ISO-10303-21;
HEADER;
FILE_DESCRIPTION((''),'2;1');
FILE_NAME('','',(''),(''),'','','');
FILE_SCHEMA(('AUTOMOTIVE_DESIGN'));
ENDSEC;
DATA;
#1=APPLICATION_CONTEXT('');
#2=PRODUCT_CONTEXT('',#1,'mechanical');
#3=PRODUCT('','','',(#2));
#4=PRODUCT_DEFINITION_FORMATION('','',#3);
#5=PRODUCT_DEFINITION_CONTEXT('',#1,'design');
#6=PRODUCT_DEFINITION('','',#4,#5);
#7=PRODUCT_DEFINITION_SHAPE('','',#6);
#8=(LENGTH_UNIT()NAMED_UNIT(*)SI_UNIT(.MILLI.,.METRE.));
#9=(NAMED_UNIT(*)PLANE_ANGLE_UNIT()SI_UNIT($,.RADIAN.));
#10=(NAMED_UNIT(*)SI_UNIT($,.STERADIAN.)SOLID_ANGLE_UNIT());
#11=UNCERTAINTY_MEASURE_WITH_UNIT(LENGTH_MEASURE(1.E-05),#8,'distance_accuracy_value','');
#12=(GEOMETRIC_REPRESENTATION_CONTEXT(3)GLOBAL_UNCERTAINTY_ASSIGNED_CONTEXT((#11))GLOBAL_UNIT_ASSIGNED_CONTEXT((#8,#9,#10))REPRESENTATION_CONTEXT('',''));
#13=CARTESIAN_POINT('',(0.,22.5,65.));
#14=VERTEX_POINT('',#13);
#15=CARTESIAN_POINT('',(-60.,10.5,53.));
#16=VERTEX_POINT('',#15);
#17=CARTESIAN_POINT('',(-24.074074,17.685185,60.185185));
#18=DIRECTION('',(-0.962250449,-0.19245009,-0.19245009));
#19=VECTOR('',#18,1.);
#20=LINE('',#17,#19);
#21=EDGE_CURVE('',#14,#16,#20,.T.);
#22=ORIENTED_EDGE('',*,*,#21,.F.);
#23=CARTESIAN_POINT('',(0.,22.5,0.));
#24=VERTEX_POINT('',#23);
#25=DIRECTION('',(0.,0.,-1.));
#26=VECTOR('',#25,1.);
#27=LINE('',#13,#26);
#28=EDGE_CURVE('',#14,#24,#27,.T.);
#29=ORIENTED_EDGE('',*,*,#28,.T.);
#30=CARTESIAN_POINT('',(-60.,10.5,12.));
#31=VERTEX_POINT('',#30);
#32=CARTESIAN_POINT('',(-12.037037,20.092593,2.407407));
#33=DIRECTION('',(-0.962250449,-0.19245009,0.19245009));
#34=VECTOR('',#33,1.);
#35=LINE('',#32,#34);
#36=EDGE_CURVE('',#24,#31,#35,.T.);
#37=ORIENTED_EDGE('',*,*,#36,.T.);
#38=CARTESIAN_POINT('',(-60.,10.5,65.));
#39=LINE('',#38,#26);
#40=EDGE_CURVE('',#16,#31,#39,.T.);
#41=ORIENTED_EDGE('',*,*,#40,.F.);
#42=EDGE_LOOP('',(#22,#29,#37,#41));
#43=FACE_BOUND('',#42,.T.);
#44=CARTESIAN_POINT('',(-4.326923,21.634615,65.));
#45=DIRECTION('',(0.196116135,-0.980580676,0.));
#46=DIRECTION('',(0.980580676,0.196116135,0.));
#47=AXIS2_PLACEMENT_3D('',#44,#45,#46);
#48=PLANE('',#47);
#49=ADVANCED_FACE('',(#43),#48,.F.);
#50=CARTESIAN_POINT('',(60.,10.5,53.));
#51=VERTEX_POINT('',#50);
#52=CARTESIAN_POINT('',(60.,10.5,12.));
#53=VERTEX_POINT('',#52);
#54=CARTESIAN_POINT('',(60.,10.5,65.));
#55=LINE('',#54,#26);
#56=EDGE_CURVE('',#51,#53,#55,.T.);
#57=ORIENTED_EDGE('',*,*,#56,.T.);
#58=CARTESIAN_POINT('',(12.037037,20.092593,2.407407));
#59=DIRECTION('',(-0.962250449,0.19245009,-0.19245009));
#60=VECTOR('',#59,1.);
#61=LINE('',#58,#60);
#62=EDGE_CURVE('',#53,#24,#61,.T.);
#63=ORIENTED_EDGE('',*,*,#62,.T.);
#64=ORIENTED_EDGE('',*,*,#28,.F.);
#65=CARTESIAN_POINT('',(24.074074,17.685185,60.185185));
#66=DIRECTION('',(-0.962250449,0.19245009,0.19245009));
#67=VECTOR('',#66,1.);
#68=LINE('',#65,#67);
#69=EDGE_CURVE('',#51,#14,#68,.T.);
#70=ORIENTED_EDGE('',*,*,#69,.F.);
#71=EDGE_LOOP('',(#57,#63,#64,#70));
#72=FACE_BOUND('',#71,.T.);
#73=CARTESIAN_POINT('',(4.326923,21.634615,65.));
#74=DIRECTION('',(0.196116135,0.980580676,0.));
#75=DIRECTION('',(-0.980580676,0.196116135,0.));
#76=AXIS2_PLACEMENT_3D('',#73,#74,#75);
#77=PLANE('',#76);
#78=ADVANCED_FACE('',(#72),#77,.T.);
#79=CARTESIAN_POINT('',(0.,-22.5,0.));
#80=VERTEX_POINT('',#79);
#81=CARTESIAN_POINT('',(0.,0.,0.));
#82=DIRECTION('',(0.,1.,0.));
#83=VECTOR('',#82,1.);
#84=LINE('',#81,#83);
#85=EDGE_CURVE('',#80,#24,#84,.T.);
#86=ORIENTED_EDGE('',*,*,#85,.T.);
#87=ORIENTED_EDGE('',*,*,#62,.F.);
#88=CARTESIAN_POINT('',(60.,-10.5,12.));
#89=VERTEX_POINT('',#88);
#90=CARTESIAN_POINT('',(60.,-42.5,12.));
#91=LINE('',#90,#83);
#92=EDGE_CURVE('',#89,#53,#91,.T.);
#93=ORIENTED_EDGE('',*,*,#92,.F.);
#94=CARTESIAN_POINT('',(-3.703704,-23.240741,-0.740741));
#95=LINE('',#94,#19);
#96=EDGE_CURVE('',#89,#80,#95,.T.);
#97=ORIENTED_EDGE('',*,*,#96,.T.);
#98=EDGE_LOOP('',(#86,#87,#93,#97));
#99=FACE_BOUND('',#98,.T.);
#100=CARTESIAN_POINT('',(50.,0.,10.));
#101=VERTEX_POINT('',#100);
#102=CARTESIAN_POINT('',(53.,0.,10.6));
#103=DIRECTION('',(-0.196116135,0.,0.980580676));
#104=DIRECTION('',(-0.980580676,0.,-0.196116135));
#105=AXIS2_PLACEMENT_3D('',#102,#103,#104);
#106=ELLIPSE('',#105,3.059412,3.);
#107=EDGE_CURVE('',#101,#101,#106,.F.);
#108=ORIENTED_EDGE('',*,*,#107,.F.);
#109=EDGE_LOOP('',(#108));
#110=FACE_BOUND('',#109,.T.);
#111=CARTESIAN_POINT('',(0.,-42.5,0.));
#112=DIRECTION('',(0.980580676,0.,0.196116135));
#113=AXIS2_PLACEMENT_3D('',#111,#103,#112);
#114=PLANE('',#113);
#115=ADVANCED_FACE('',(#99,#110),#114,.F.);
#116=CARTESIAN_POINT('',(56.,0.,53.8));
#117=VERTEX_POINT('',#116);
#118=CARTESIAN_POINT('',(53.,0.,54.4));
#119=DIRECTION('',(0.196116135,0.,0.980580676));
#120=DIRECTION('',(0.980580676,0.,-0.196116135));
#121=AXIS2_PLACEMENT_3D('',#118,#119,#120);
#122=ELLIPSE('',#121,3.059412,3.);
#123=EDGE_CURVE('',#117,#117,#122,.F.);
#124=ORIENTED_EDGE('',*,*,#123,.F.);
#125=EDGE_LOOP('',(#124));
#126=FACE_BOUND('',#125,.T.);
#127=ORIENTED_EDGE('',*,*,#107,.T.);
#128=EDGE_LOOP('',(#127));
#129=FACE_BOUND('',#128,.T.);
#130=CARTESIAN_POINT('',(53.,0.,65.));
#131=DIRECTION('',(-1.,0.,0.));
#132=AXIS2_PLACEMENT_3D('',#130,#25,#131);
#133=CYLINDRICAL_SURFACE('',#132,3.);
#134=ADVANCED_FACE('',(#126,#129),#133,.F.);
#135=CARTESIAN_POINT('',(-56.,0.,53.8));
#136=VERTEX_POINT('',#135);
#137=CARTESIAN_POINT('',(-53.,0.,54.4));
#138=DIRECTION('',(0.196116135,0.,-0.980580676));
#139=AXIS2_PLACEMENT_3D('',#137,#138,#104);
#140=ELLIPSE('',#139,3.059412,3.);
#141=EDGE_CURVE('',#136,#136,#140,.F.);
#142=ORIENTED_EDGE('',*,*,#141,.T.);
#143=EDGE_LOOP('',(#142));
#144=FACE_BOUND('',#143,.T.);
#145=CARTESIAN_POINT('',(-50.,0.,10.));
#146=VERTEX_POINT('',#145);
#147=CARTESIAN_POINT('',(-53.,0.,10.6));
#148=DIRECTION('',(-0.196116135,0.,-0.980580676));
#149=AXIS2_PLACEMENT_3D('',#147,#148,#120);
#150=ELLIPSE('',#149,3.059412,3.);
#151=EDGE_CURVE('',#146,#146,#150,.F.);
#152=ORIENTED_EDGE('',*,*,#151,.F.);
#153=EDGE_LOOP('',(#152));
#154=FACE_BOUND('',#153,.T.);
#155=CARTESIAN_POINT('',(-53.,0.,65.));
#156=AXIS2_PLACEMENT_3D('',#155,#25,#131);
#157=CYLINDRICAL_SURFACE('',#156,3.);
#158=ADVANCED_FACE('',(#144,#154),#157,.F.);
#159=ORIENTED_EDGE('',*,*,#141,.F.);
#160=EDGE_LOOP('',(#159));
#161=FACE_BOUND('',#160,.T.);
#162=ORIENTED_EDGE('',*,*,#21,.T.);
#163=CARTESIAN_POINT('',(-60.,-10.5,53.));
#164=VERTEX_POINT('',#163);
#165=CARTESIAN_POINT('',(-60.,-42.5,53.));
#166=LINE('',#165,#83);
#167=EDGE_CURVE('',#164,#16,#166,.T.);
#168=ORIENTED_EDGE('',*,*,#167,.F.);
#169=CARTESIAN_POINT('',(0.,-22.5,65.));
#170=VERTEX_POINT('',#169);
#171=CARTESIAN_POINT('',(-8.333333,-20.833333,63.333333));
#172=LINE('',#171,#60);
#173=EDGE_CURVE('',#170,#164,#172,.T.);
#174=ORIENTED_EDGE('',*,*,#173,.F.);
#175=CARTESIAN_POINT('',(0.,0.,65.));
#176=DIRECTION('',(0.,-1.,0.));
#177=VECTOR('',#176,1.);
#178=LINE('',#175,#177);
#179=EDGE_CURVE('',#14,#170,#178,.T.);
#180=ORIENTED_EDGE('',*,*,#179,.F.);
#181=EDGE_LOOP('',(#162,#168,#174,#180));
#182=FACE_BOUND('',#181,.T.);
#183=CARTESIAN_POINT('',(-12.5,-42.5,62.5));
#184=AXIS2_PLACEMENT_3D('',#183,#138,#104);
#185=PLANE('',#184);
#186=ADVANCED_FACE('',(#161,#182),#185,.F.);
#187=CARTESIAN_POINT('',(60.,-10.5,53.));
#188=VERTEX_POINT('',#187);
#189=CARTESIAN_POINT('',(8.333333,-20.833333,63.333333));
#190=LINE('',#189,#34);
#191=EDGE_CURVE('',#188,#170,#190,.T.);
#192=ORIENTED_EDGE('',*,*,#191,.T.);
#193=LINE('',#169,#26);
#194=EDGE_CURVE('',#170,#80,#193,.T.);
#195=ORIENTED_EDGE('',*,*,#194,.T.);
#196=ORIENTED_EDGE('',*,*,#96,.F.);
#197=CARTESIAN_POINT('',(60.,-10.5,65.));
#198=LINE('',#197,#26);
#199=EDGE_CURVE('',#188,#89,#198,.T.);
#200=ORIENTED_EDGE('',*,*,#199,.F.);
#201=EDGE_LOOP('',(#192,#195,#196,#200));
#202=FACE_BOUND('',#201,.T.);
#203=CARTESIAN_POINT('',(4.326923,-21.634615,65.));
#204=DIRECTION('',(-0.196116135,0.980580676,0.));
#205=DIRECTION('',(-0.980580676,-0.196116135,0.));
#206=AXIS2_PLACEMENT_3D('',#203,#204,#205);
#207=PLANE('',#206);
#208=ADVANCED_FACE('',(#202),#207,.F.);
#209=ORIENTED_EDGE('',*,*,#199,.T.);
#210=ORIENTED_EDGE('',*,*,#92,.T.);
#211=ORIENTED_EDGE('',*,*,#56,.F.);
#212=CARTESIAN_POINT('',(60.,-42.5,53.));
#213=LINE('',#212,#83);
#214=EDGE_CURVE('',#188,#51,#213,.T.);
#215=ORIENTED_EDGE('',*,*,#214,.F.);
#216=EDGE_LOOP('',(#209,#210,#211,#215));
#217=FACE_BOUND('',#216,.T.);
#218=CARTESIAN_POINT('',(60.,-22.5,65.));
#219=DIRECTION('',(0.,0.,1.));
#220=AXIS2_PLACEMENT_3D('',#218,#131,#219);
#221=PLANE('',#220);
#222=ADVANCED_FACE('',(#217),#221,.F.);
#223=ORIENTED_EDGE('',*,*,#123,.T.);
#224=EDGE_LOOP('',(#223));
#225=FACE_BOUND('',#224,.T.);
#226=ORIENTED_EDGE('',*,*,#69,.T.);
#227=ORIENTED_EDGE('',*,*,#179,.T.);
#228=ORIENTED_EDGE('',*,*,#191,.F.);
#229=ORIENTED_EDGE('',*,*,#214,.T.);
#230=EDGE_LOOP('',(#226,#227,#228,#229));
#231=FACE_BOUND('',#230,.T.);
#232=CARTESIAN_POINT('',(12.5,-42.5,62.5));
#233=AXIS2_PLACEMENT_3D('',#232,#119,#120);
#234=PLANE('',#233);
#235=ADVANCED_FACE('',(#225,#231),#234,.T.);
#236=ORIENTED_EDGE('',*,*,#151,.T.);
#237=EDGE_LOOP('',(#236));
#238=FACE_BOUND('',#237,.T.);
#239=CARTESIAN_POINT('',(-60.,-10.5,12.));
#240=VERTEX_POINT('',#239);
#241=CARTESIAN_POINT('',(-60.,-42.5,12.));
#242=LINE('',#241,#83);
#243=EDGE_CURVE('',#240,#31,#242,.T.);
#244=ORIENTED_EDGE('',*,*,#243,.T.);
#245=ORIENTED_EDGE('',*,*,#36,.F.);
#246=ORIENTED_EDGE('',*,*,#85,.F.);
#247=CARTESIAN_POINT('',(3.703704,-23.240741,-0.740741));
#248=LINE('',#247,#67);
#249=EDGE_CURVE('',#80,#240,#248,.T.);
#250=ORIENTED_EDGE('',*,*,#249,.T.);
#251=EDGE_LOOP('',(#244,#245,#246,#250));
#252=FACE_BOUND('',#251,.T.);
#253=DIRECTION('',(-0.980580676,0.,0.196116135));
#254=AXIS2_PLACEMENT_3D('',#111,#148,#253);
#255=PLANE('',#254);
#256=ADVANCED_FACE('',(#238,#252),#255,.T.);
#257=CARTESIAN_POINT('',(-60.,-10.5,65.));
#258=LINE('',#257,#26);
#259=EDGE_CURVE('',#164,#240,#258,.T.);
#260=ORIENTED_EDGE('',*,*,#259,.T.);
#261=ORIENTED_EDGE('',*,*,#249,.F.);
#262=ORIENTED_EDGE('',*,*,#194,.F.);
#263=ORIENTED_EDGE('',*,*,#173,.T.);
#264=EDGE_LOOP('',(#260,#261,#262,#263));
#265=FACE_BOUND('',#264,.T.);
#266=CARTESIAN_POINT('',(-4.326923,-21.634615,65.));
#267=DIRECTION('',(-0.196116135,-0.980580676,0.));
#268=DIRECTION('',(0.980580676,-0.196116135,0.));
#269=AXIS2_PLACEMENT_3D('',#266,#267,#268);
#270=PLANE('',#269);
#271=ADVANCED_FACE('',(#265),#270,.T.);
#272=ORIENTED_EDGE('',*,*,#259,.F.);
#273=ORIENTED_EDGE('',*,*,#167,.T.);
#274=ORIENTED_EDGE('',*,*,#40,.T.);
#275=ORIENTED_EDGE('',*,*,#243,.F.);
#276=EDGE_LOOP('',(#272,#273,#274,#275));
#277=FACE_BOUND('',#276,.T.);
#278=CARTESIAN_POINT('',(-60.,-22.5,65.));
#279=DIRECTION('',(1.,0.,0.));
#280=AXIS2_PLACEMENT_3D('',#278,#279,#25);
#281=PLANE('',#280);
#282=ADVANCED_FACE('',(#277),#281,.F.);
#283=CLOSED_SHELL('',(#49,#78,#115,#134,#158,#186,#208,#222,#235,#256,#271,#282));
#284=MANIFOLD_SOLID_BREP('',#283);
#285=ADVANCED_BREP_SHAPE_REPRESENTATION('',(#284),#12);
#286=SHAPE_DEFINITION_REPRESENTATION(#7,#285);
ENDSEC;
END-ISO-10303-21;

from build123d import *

# Parameters (mm, degrees)
SKETCH1_W           = 120
SKETCH1_H           = 45
BOSS_EXTRUDE1_DEPTH = 65
CUT_EXTRUDE1_DEPTH  = 65
CUT_EXTRUDE2_DEPTH  = 65
SKETCH4_R           = 3
CUT_EXTRUDE3_DEPTH  = 92.275681318


with BuildPart() as part:
    # Sketch1 → Boss-Extrude1 (new body)
    with BuildSketch(Plane.XY):
        Rectangle(SKETCH1_W, SKETCH1_H)
    extrude(amount=BOSS_EXTRUDE1_DEPTH)

    # Sketch2 → Cut-Extrude1 (cut)
    with BuildSketch(Plane(origin=(0, 22.5, 0), x_dir=(1, 0, 0), z_dir=(0, 1, 0))):
        Polygon((-60, -12), (0, 0), (-60, 0), align=None)
        Polygon((60, 0), (0, 0), (60, -12), align=None)
        Polygon((60, -65), (60, -53), (0, -65), align=None)
        Polygon((0, -65), (-60, -53), (-60, -65), align=None)
    extrude(amount=-CUT_EXTRUDE1_DEPTH, mode=Mode.SUBTRACT)

    # Sketch3 → Cut-Extrude2 (cut)
    with BuildSketch(Plane.XY):
        Polygon((-60, 22.5), (0, 22.5), (-60, 10.5), align=None)
        Polygon((60, 22.5), (60, 10.5), (0, 22.5), align=None)
        Polygon((60, -22.5), (0, -22.5), (60, -10.5), align=None)
        Polygon((-60, -10.5), (-60, -22.5), (0, -22.5), align=None)
    extrude(amount=CUT_EXTRUDE2_DEPTH, mode=Mode.SUBTRACT)

    # Sketch4 → Cut-Extrude3 (cut, through all)
    with BuildSketch(Plane.XY):
        with Locations(Location((-53, 0, 0), (0, 0, 180))):
            Circle(SKETCH4_R)
        with Locations(Location((53, 0, 0), (0, 0, 180))):
            Circle(SKETCH4_R)
    extrude(amount=CUT_EXTRUDE3_DEPTH, mode=Mode.SUBTRACT)


solid = part.part
